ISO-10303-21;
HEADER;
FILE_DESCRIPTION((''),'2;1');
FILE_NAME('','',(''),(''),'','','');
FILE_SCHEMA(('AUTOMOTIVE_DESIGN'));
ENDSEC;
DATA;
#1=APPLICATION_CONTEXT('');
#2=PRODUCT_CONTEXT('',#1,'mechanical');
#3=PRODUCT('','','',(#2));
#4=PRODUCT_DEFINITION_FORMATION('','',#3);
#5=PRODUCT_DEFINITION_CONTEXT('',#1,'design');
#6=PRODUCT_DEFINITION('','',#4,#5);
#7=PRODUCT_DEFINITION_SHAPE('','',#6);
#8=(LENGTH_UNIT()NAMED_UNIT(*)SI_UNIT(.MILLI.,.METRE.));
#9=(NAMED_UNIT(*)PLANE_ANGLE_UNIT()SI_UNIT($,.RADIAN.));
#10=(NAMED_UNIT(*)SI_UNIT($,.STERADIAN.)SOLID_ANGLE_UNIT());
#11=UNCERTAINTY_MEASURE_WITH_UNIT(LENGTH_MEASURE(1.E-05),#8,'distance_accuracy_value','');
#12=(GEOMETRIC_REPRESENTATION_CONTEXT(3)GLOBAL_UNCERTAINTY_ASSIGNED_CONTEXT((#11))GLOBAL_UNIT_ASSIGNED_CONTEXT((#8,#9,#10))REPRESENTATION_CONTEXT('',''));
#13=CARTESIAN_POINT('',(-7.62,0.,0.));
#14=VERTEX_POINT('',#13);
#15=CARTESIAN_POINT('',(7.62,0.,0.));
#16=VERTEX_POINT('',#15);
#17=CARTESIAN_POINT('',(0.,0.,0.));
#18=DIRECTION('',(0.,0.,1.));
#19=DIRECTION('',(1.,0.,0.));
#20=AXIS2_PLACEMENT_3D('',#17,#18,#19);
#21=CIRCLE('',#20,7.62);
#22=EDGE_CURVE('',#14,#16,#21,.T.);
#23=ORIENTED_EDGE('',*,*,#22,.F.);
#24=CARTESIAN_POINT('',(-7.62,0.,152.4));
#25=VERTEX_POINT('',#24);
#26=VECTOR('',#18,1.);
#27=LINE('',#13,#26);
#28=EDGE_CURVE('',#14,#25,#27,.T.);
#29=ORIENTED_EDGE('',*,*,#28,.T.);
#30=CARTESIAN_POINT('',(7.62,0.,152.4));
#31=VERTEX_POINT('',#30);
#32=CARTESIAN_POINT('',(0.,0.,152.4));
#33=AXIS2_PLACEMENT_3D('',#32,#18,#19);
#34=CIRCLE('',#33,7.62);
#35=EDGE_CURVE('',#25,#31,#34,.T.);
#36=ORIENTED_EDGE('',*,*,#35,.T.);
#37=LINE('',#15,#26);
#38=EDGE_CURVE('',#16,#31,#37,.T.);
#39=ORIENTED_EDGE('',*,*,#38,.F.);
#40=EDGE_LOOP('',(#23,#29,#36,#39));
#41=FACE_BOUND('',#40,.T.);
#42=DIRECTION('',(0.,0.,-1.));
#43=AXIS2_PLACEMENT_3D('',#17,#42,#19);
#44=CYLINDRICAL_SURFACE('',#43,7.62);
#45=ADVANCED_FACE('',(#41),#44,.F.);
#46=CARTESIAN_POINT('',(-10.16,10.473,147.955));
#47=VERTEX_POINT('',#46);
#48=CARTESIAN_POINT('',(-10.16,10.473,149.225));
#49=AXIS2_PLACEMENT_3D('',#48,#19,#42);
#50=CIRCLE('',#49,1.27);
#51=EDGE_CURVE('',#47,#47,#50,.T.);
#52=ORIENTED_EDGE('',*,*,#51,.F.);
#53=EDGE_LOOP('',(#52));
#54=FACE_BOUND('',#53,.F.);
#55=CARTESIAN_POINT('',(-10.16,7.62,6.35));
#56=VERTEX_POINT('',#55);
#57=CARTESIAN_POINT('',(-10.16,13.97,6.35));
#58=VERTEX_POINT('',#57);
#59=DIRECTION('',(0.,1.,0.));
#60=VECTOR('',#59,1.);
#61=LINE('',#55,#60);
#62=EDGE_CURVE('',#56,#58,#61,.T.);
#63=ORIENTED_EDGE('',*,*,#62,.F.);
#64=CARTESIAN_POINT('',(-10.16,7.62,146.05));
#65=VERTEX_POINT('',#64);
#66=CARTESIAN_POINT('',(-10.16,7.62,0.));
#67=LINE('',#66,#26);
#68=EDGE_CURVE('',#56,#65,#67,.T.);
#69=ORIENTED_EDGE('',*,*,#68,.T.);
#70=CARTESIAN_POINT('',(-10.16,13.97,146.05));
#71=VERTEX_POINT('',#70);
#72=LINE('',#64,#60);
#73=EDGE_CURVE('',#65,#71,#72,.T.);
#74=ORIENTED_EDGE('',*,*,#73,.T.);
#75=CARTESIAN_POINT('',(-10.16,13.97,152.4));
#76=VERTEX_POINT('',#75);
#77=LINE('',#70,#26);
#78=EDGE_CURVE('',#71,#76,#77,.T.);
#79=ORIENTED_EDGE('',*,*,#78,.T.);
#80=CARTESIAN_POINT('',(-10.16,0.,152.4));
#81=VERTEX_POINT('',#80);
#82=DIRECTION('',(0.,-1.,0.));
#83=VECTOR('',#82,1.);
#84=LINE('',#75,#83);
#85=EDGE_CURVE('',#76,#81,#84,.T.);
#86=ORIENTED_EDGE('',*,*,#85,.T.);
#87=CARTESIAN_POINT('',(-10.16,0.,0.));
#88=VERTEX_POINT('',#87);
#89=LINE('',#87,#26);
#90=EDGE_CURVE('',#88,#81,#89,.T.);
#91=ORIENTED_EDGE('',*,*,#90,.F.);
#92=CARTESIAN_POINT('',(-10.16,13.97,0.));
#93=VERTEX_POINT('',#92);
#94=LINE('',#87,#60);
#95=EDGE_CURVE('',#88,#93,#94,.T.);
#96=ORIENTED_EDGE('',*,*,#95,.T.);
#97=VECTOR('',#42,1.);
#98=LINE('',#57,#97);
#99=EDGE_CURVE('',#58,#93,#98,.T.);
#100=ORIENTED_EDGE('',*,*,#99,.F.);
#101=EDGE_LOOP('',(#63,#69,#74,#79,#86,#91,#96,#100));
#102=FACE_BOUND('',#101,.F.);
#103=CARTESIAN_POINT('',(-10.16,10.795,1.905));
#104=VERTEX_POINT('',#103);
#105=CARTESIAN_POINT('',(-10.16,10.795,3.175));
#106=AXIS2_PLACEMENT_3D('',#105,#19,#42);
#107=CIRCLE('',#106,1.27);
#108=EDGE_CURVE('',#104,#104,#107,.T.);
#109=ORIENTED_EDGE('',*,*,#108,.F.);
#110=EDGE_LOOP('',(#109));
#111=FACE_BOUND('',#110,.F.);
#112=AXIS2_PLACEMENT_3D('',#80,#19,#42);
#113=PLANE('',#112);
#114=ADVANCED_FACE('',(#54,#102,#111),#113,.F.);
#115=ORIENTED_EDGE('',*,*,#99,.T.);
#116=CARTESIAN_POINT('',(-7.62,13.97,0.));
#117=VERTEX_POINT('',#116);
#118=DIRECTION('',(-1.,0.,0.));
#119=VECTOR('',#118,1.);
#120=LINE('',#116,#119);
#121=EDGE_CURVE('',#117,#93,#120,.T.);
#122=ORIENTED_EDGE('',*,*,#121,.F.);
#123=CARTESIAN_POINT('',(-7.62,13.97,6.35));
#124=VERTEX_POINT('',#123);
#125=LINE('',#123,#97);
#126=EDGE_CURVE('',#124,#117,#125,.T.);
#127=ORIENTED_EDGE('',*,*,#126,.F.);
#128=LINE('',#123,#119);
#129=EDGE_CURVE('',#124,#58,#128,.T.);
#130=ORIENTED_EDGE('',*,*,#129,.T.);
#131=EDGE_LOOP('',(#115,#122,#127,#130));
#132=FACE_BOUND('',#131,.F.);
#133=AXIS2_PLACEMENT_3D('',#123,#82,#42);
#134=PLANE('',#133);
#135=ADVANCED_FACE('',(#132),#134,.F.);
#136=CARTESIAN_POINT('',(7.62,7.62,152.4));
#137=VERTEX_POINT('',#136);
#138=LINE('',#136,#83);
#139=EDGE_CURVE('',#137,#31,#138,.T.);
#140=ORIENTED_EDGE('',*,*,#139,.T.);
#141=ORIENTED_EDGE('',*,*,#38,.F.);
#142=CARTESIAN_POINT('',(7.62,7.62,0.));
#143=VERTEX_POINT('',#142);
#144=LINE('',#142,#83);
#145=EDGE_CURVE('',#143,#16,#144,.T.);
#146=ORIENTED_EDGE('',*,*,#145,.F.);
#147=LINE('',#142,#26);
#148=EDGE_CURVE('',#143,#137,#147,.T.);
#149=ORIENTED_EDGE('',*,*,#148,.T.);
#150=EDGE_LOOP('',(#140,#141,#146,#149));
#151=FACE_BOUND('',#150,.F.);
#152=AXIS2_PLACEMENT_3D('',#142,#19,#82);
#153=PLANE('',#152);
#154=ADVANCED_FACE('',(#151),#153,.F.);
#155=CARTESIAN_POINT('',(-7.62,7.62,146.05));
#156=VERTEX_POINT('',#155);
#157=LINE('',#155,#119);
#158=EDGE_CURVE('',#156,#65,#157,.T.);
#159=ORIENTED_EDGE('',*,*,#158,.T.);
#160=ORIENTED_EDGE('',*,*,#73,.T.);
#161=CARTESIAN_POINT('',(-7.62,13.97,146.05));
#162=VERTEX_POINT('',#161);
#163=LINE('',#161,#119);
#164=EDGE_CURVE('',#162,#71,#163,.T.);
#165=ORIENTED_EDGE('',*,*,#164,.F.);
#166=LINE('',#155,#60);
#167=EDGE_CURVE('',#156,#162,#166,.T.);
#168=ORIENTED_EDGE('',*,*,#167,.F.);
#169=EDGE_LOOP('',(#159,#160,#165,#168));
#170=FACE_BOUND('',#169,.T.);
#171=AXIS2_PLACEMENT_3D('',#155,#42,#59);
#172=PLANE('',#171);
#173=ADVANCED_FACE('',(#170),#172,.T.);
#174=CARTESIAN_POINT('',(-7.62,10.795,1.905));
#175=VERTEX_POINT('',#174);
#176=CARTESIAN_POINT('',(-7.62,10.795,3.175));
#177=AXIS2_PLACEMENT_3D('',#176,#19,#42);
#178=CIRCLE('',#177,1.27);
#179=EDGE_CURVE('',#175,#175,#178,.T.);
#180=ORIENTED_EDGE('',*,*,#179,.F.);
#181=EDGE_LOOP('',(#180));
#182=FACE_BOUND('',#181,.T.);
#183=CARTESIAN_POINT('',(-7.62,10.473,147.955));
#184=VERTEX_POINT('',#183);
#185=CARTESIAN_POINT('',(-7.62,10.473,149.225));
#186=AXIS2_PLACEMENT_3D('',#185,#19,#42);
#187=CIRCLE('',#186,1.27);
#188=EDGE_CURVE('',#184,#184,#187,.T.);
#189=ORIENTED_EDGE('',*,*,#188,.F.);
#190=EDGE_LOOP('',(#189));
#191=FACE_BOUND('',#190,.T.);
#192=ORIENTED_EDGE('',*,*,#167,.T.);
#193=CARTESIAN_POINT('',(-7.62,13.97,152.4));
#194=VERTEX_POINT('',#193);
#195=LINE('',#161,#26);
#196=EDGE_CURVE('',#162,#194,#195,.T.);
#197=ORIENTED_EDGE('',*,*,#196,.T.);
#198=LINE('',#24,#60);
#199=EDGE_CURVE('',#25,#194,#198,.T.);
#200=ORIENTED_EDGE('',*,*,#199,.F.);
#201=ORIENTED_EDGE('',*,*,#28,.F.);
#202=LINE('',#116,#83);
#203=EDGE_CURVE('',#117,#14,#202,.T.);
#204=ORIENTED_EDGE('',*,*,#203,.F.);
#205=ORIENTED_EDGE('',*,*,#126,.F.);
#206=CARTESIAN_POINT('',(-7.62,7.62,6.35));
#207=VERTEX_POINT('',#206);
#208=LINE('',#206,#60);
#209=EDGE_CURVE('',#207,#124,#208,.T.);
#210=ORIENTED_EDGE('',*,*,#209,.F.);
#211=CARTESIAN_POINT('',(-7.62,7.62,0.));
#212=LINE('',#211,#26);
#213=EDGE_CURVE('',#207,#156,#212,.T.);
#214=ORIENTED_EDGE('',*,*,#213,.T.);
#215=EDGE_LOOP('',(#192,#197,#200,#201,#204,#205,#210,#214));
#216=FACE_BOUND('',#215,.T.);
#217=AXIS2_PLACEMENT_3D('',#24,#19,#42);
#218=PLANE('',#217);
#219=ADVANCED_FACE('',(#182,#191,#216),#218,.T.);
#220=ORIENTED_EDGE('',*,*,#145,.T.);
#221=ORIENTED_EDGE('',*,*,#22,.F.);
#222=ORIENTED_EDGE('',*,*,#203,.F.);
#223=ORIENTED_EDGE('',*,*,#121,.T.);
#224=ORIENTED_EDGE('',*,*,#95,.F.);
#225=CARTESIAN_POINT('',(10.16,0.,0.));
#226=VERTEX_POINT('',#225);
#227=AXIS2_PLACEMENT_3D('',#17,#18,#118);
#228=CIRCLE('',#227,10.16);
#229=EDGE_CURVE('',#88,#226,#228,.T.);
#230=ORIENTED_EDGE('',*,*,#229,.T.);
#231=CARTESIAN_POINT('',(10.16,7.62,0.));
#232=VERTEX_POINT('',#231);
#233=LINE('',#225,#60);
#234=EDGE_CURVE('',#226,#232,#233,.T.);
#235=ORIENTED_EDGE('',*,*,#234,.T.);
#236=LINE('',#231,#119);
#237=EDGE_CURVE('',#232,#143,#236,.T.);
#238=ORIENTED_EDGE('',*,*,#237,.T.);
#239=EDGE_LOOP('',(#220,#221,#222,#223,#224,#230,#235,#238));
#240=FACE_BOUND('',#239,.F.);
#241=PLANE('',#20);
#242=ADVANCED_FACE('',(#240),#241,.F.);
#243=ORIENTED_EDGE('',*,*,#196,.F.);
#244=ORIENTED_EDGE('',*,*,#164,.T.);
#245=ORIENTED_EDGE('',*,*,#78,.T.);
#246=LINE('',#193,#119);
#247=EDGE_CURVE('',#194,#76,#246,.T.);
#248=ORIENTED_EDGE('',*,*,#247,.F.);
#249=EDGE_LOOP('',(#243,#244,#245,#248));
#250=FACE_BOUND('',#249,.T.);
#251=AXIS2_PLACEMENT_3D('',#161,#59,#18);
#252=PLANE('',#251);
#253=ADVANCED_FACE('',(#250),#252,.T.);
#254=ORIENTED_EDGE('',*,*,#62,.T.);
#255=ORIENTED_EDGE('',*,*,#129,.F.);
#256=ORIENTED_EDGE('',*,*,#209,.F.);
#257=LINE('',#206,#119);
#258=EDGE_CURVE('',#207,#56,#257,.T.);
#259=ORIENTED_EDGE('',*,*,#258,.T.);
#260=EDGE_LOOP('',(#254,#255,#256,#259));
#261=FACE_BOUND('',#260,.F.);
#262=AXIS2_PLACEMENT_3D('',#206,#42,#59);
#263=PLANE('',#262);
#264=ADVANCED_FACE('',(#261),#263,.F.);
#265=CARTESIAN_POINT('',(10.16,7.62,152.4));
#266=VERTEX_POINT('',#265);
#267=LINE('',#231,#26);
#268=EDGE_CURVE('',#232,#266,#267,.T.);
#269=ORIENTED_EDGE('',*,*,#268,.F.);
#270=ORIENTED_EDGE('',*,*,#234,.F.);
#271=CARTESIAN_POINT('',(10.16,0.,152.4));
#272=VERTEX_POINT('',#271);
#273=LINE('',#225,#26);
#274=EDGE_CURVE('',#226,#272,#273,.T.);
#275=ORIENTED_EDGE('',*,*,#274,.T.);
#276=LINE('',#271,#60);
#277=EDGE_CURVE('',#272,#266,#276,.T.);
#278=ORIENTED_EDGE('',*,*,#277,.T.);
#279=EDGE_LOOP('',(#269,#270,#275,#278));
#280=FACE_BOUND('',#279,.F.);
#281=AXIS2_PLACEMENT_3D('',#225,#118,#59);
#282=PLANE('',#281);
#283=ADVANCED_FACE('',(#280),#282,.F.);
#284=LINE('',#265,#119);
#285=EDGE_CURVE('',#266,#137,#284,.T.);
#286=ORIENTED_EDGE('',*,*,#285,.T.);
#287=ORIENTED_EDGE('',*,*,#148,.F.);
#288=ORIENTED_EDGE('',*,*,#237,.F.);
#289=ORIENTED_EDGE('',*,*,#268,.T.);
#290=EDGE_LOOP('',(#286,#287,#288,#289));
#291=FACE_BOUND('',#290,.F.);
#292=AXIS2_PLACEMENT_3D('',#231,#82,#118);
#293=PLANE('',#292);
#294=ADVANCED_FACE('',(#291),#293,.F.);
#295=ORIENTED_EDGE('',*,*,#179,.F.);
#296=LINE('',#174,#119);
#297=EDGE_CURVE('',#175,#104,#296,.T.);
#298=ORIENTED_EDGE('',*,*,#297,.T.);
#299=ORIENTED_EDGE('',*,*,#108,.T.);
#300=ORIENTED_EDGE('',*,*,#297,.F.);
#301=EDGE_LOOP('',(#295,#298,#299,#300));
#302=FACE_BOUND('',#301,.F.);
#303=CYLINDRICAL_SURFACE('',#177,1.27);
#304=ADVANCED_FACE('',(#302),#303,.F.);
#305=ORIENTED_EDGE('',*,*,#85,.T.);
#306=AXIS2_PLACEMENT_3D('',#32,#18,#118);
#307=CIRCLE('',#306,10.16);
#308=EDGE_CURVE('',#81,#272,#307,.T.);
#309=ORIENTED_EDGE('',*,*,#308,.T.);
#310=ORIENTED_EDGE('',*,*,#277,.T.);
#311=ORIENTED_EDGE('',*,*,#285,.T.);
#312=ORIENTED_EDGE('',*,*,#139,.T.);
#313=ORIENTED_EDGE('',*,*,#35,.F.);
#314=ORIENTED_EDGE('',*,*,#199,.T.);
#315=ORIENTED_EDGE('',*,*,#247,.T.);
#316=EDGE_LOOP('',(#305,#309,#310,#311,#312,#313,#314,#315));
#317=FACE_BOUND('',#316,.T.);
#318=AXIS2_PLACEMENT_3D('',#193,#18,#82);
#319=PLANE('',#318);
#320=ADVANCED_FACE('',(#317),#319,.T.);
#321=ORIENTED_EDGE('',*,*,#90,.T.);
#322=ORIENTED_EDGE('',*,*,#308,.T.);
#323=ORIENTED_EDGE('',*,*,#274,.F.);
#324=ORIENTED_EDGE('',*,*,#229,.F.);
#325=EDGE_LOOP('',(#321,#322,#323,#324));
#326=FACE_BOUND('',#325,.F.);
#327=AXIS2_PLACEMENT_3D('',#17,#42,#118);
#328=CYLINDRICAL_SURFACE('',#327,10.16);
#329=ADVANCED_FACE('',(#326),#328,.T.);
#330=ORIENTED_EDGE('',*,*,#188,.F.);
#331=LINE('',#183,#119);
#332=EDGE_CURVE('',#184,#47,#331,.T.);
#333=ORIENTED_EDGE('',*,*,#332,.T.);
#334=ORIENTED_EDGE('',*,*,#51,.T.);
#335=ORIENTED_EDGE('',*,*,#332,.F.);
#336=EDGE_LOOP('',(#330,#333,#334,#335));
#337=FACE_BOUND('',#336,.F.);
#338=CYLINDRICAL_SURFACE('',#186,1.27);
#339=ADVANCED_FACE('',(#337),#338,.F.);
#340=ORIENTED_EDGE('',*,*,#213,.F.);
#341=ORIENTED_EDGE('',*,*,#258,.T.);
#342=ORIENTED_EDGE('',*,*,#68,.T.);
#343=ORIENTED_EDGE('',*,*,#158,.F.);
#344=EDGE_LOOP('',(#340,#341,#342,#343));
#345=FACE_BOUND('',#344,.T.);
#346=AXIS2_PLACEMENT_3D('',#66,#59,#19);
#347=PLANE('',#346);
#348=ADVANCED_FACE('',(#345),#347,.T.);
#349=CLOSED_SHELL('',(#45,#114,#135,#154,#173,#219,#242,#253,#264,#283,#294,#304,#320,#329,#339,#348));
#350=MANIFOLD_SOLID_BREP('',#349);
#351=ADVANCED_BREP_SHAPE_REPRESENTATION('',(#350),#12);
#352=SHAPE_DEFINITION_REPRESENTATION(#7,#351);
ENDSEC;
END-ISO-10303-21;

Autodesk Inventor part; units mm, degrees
ref_plane "YZ Plane" through (0, 0, 0) normal (1, 0, 0) x (0, 1, 0)
ref_plane "XZ Plane" through (0, 0, 0) normal (0, 1, 0) x (-1, 0, 0)
ref_plane "XY Plane" through (0, 0, 0) normal (0, 0, 1) x (1, 0, 0)
sketch "Sketch1" plane through (0, 0, 0) normal (0, 0, 1) x (1, 0, 0)
  circle A0 centre (0, 0) radius 7.62
  line L0 (-10.16, 7.62) -> (-10.16, 0)
  arc A1 (-10.16, 0) -> (10.16, 0) centre (0, 0) ccw
  line L1 (10.16, 0) -> (10.16, 7.62)
  line L2 (10.16, 7.62) -> (7.62, 7.62)
  line L3 (7.62, 7.62) -> (7.62, 0)
  line L4 (-10.16, 7.62) -> (-7.62, 7.62)
  line L5 (-7.62, 7.62) -> (-7.62, 0)
  dimension "d0" = 15.24
  dimension "d1" = 2.54
  dimension "d2" = 2.54
  dimension "d3" = 2.54
extrude "Extrusion1" add sketch "Sketch1" along normal blind 152.4 contours L3 L2 L1 A1 L0 L4 L5 A0
sketch "Sketch2" plane through (-7.62, 0, 0) normal (1, 0, 0) x (0, 0, -1)
  line L0 (0, 7.62) -> (-152.4, 7.62) projected
  line L1 (0, 7.62) -> (-6.35, 7.62)
  line L2 (-6.35, 7.62) -> (-6.35, 13.97)
  line L3 (-6.35, 13.97) -> (0, 13.97)
  line L4 (0, 13.97) -> (0, 7.62)
  circle A0 centre (-3.175, 10.795) radius 1.27
  point P0 (0, 0)
  dimension "d6" = 6.35
  dimension "d7" = 6.35
  dimension "d8" = 2.54
  dimension "d9" = 3.175
  dimension "d10" = 3.175
extrude "Extrusion2" add sketch "Sketch2" against normal up to surface (2.54 mm away)
sketch "Sketch4" plane through (-7.62, 0, 152.4) normal (1, 0, 0) x (0, 0, -1)
  line L0 (0, 0) -> (0, 7.62) projected
  circle A0 centre (3.175, 10.473) radius 1.27
  line L1 (152.4, 7.62) -> (0, 7.62) projected
  line L2 (6.35, 7.62) -> (0, 7.62)
  line L3 (0, 7.62) -> (6.35, 7.62)
  line L4 (6.35, 7.62) -> (6.35, 13.97)
  line L5 (6.35, 13.97) -> (0, 13.97)
  line L6 (0, 13.97) -> (0, 7.62)
  point P0 (152.4, 0)
  dimension "d15" = 2.54
  dimension "d16" = 6.35
  dimension "d17" = 6.35
extrude "Extrusion3" add sketch "Sketch4" against normal up to surface (2.54 mm away)
properties part number "StraightTrack"
